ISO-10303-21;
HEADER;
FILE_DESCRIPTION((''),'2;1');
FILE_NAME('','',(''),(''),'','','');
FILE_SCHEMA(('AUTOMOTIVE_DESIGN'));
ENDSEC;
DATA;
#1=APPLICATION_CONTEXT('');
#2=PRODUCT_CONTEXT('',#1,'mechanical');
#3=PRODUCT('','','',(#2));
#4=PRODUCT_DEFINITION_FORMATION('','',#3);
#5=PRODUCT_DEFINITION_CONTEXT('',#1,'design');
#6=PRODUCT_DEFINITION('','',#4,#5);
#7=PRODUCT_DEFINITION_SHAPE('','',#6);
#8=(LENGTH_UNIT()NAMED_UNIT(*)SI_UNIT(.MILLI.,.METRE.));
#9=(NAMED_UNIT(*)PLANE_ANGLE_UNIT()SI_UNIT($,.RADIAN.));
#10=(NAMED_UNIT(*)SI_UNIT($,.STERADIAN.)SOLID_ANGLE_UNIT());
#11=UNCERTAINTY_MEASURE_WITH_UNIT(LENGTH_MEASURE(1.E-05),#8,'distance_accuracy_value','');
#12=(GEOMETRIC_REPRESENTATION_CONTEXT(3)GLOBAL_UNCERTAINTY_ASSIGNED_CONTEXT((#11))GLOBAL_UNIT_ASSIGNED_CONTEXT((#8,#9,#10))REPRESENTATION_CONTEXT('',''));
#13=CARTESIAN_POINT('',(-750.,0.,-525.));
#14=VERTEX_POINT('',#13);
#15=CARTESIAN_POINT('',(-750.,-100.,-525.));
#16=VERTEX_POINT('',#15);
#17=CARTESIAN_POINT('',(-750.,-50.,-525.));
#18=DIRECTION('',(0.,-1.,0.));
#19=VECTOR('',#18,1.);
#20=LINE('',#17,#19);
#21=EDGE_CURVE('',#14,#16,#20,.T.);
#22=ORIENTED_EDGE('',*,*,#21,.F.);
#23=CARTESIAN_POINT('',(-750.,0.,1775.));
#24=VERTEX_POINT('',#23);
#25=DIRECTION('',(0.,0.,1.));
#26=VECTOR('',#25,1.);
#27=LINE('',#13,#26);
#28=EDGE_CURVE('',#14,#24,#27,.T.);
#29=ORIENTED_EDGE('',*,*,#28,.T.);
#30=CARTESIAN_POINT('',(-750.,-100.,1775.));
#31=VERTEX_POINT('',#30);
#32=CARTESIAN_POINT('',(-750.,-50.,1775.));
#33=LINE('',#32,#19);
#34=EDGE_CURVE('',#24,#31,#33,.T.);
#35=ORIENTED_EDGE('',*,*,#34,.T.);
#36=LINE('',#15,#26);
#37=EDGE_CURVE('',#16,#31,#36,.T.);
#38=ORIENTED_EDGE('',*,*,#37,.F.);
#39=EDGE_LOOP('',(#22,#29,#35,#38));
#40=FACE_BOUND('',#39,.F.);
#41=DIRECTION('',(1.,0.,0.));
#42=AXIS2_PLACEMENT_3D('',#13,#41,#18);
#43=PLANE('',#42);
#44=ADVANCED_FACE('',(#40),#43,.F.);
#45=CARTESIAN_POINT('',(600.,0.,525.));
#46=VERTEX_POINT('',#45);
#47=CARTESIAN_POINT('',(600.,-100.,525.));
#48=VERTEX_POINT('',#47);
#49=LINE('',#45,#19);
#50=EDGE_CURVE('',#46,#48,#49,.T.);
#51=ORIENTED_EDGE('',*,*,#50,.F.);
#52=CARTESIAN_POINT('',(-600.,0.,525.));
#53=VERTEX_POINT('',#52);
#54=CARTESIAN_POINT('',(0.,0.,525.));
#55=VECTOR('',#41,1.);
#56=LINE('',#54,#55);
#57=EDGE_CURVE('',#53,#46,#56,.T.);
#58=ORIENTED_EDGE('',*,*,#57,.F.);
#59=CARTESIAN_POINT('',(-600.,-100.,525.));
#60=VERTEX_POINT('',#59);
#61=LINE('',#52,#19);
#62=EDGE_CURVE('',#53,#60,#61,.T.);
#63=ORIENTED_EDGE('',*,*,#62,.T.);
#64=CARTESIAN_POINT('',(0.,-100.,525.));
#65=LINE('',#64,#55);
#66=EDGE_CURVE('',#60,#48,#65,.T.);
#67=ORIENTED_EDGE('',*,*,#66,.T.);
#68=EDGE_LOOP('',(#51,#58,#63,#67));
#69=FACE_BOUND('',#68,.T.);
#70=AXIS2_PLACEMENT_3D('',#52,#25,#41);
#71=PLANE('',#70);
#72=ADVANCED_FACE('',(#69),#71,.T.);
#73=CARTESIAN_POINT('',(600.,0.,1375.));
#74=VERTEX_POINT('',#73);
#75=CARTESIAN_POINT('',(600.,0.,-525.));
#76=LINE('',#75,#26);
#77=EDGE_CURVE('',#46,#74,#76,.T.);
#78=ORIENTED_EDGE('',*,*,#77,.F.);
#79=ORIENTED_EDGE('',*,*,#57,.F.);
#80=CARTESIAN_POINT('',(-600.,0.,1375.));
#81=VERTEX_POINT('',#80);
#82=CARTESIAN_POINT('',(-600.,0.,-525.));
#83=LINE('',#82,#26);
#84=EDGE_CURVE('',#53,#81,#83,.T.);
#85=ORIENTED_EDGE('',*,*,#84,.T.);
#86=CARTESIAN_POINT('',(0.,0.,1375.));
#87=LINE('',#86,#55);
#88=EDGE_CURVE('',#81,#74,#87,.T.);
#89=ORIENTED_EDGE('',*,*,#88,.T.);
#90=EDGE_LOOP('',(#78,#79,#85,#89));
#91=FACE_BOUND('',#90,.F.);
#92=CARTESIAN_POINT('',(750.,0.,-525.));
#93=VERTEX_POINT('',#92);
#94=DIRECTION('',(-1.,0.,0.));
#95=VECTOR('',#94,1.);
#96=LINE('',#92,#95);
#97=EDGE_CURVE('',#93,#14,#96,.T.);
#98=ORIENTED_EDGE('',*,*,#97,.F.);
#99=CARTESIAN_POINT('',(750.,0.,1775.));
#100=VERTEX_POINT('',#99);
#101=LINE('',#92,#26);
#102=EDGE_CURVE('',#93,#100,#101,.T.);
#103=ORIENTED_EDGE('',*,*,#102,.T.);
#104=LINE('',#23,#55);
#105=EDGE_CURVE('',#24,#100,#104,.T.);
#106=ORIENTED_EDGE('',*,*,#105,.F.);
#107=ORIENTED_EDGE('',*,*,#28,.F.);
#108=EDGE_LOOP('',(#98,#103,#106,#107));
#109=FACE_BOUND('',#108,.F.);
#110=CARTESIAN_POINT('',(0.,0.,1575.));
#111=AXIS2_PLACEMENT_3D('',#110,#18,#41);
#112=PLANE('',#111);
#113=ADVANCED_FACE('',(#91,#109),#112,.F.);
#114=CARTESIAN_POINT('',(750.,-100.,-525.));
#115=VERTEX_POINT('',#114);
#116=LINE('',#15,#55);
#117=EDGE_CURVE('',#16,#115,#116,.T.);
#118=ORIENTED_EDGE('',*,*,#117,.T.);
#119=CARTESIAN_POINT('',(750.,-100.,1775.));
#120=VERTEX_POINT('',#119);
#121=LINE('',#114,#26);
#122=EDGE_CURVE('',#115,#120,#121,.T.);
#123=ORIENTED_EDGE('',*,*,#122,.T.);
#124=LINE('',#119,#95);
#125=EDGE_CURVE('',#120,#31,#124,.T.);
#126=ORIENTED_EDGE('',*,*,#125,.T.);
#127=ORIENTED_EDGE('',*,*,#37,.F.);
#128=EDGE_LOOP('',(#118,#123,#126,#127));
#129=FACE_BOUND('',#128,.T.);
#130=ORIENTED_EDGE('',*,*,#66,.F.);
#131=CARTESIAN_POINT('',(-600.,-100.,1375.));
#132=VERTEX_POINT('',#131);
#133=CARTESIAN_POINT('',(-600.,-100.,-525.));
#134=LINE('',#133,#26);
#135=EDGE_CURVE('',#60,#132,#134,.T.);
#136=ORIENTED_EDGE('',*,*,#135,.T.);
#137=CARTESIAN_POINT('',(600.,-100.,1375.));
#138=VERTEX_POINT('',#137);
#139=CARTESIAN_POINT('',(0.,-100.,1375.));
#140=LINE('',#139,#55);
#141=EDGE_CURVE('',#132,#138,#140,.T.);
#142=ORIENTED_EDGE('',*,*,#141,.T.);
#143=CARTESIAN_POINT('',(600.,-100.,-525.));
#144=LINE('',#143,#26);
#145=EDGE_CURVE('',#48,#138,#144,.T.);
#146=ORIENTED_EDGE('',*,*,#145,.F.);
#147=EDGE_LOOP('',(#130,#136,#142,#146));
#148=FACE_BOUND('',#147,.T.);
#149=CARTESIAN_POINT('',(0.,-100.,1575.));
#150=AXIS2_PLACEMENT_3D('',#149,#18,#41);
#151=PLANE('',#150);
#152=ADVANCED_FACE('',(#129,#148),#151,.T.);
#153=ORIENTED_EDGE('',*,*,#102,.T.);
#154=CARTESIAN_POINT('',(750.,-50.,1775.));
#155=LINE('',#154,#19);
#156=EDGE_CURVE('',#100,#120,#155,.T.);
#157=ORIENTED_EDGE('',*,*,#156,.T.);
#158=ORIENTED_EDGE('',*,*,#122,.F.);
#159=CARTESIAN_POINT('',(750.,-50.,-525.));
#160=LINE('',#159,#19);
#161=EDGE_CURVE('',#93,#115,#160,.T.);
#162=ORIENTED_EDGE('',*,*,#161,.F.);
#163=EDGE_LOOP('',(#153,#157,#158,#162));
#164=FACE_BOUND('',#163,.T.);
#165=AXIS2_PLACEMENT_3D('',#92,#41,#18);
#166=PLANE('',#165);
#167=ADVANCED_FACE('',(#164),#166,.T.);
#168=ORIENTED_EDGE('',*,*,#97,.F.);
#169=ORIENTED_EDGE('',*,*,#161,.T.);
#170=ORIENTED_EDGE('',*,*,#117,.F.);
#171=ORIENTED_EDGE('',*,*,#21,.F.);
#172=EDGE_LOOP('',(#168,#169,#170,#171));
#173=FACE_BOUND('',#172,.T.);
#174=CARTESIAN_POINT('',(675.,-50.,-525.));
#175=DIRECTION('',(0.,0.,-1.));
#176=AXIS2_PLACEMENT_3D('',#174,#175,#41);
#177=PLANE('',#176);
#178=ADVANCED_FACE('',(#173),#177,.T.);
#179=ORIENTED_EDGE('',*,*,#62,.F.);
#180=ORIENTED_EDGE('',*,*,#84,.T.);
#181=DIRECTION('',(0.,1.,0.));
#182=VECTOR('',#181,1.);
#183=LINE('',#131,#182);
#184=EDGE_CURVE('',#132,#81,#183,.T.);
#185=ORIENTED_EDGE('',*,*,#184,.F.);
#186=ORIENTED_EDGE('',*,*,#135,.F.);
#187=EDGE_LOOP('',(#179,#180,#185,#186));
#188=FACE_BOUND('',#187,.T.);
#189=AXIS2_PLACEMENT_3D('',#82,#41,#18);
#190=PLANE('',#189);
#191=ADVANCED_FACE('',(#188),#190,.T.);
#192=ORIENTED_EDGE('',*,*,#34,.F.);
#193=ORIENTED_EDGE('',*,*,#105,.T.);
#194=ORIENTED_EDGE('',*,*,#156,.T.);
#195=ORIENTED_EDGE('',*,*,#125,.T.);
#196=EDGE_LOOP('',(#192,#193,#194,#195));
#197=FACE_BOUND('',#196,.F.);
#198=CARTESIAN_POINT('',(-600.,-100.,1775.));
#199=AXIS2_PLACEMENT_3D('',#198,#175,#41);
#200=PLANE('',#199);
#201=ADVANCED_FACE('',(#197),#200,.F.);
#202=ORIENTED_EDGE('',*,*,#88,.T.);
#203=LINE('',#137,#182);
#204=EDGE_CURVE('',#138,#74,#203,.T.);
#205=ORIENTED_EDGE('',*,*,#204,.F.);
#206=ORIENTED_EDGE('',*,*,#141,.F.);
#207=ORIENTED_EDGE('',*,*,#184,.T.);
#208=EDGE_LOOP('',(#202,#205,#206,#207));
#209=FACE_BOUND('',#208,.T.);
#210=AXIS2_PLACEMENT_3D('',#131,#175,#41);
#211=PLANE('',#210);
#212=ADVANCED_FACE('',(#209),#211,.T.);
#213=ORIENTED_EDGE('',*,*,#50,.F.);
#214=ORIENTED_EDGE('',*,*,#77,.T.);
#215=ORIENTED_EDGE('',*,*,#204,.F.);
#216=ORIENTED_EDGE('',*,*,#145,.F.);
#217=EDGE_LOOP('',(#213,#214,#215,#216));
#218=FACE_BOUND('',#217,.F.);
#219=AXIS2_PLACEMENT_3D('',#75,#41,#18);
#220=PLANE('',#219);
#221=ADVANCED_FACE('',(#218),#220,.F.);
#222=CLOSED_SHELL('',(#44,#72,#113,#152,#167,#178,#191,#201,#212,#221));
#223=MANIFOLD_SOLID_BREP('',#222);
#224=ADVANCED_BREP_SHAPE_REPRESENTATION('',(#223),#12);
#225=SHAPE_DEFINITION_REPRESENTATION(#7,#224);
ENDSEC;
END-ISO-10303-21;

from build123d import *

# Parameters (mm, degrees)
F0_W     = 1200
F0_H     = 1050
F1_DEPTH = 100
F2_W     = 150
F2_H     = 100
F3_DEPTH = 2300
F4_W     = 1200
F4_H     = 400
F5_DEPTH = 100


with BuildPart() as f1:
    # F0 (on Front) → F1 (new body)
    with BuildSketch(Plane.XZ):
        Rectangle(F0_W, F0_H)
    extrude(amount=F1_DEPTH)

    # F2 (on face) → F3 (join)
    with BuildSketch(Plane(origin=(0, 0, -525), x_dir=(1, 0, 0), z_dir=(0, 0, -1))):
        with Locations((675, 50)):
            Rectangle(F2_W, F2_H)
        with Locations((-675, 50)):
            Rectangle(F2_W, F2_H)
    extrude(amount=-F3_DEPTH)

    # F4 (on face) → F5 (join, through all)
    with BuildSketch(Plane.XZ.offset(100)):
        with Locations((0, 1575)):
            Rectangle(F4_W, F4_H)
    extrude(amount=-F5_DEPTH)


solid = f1.part
